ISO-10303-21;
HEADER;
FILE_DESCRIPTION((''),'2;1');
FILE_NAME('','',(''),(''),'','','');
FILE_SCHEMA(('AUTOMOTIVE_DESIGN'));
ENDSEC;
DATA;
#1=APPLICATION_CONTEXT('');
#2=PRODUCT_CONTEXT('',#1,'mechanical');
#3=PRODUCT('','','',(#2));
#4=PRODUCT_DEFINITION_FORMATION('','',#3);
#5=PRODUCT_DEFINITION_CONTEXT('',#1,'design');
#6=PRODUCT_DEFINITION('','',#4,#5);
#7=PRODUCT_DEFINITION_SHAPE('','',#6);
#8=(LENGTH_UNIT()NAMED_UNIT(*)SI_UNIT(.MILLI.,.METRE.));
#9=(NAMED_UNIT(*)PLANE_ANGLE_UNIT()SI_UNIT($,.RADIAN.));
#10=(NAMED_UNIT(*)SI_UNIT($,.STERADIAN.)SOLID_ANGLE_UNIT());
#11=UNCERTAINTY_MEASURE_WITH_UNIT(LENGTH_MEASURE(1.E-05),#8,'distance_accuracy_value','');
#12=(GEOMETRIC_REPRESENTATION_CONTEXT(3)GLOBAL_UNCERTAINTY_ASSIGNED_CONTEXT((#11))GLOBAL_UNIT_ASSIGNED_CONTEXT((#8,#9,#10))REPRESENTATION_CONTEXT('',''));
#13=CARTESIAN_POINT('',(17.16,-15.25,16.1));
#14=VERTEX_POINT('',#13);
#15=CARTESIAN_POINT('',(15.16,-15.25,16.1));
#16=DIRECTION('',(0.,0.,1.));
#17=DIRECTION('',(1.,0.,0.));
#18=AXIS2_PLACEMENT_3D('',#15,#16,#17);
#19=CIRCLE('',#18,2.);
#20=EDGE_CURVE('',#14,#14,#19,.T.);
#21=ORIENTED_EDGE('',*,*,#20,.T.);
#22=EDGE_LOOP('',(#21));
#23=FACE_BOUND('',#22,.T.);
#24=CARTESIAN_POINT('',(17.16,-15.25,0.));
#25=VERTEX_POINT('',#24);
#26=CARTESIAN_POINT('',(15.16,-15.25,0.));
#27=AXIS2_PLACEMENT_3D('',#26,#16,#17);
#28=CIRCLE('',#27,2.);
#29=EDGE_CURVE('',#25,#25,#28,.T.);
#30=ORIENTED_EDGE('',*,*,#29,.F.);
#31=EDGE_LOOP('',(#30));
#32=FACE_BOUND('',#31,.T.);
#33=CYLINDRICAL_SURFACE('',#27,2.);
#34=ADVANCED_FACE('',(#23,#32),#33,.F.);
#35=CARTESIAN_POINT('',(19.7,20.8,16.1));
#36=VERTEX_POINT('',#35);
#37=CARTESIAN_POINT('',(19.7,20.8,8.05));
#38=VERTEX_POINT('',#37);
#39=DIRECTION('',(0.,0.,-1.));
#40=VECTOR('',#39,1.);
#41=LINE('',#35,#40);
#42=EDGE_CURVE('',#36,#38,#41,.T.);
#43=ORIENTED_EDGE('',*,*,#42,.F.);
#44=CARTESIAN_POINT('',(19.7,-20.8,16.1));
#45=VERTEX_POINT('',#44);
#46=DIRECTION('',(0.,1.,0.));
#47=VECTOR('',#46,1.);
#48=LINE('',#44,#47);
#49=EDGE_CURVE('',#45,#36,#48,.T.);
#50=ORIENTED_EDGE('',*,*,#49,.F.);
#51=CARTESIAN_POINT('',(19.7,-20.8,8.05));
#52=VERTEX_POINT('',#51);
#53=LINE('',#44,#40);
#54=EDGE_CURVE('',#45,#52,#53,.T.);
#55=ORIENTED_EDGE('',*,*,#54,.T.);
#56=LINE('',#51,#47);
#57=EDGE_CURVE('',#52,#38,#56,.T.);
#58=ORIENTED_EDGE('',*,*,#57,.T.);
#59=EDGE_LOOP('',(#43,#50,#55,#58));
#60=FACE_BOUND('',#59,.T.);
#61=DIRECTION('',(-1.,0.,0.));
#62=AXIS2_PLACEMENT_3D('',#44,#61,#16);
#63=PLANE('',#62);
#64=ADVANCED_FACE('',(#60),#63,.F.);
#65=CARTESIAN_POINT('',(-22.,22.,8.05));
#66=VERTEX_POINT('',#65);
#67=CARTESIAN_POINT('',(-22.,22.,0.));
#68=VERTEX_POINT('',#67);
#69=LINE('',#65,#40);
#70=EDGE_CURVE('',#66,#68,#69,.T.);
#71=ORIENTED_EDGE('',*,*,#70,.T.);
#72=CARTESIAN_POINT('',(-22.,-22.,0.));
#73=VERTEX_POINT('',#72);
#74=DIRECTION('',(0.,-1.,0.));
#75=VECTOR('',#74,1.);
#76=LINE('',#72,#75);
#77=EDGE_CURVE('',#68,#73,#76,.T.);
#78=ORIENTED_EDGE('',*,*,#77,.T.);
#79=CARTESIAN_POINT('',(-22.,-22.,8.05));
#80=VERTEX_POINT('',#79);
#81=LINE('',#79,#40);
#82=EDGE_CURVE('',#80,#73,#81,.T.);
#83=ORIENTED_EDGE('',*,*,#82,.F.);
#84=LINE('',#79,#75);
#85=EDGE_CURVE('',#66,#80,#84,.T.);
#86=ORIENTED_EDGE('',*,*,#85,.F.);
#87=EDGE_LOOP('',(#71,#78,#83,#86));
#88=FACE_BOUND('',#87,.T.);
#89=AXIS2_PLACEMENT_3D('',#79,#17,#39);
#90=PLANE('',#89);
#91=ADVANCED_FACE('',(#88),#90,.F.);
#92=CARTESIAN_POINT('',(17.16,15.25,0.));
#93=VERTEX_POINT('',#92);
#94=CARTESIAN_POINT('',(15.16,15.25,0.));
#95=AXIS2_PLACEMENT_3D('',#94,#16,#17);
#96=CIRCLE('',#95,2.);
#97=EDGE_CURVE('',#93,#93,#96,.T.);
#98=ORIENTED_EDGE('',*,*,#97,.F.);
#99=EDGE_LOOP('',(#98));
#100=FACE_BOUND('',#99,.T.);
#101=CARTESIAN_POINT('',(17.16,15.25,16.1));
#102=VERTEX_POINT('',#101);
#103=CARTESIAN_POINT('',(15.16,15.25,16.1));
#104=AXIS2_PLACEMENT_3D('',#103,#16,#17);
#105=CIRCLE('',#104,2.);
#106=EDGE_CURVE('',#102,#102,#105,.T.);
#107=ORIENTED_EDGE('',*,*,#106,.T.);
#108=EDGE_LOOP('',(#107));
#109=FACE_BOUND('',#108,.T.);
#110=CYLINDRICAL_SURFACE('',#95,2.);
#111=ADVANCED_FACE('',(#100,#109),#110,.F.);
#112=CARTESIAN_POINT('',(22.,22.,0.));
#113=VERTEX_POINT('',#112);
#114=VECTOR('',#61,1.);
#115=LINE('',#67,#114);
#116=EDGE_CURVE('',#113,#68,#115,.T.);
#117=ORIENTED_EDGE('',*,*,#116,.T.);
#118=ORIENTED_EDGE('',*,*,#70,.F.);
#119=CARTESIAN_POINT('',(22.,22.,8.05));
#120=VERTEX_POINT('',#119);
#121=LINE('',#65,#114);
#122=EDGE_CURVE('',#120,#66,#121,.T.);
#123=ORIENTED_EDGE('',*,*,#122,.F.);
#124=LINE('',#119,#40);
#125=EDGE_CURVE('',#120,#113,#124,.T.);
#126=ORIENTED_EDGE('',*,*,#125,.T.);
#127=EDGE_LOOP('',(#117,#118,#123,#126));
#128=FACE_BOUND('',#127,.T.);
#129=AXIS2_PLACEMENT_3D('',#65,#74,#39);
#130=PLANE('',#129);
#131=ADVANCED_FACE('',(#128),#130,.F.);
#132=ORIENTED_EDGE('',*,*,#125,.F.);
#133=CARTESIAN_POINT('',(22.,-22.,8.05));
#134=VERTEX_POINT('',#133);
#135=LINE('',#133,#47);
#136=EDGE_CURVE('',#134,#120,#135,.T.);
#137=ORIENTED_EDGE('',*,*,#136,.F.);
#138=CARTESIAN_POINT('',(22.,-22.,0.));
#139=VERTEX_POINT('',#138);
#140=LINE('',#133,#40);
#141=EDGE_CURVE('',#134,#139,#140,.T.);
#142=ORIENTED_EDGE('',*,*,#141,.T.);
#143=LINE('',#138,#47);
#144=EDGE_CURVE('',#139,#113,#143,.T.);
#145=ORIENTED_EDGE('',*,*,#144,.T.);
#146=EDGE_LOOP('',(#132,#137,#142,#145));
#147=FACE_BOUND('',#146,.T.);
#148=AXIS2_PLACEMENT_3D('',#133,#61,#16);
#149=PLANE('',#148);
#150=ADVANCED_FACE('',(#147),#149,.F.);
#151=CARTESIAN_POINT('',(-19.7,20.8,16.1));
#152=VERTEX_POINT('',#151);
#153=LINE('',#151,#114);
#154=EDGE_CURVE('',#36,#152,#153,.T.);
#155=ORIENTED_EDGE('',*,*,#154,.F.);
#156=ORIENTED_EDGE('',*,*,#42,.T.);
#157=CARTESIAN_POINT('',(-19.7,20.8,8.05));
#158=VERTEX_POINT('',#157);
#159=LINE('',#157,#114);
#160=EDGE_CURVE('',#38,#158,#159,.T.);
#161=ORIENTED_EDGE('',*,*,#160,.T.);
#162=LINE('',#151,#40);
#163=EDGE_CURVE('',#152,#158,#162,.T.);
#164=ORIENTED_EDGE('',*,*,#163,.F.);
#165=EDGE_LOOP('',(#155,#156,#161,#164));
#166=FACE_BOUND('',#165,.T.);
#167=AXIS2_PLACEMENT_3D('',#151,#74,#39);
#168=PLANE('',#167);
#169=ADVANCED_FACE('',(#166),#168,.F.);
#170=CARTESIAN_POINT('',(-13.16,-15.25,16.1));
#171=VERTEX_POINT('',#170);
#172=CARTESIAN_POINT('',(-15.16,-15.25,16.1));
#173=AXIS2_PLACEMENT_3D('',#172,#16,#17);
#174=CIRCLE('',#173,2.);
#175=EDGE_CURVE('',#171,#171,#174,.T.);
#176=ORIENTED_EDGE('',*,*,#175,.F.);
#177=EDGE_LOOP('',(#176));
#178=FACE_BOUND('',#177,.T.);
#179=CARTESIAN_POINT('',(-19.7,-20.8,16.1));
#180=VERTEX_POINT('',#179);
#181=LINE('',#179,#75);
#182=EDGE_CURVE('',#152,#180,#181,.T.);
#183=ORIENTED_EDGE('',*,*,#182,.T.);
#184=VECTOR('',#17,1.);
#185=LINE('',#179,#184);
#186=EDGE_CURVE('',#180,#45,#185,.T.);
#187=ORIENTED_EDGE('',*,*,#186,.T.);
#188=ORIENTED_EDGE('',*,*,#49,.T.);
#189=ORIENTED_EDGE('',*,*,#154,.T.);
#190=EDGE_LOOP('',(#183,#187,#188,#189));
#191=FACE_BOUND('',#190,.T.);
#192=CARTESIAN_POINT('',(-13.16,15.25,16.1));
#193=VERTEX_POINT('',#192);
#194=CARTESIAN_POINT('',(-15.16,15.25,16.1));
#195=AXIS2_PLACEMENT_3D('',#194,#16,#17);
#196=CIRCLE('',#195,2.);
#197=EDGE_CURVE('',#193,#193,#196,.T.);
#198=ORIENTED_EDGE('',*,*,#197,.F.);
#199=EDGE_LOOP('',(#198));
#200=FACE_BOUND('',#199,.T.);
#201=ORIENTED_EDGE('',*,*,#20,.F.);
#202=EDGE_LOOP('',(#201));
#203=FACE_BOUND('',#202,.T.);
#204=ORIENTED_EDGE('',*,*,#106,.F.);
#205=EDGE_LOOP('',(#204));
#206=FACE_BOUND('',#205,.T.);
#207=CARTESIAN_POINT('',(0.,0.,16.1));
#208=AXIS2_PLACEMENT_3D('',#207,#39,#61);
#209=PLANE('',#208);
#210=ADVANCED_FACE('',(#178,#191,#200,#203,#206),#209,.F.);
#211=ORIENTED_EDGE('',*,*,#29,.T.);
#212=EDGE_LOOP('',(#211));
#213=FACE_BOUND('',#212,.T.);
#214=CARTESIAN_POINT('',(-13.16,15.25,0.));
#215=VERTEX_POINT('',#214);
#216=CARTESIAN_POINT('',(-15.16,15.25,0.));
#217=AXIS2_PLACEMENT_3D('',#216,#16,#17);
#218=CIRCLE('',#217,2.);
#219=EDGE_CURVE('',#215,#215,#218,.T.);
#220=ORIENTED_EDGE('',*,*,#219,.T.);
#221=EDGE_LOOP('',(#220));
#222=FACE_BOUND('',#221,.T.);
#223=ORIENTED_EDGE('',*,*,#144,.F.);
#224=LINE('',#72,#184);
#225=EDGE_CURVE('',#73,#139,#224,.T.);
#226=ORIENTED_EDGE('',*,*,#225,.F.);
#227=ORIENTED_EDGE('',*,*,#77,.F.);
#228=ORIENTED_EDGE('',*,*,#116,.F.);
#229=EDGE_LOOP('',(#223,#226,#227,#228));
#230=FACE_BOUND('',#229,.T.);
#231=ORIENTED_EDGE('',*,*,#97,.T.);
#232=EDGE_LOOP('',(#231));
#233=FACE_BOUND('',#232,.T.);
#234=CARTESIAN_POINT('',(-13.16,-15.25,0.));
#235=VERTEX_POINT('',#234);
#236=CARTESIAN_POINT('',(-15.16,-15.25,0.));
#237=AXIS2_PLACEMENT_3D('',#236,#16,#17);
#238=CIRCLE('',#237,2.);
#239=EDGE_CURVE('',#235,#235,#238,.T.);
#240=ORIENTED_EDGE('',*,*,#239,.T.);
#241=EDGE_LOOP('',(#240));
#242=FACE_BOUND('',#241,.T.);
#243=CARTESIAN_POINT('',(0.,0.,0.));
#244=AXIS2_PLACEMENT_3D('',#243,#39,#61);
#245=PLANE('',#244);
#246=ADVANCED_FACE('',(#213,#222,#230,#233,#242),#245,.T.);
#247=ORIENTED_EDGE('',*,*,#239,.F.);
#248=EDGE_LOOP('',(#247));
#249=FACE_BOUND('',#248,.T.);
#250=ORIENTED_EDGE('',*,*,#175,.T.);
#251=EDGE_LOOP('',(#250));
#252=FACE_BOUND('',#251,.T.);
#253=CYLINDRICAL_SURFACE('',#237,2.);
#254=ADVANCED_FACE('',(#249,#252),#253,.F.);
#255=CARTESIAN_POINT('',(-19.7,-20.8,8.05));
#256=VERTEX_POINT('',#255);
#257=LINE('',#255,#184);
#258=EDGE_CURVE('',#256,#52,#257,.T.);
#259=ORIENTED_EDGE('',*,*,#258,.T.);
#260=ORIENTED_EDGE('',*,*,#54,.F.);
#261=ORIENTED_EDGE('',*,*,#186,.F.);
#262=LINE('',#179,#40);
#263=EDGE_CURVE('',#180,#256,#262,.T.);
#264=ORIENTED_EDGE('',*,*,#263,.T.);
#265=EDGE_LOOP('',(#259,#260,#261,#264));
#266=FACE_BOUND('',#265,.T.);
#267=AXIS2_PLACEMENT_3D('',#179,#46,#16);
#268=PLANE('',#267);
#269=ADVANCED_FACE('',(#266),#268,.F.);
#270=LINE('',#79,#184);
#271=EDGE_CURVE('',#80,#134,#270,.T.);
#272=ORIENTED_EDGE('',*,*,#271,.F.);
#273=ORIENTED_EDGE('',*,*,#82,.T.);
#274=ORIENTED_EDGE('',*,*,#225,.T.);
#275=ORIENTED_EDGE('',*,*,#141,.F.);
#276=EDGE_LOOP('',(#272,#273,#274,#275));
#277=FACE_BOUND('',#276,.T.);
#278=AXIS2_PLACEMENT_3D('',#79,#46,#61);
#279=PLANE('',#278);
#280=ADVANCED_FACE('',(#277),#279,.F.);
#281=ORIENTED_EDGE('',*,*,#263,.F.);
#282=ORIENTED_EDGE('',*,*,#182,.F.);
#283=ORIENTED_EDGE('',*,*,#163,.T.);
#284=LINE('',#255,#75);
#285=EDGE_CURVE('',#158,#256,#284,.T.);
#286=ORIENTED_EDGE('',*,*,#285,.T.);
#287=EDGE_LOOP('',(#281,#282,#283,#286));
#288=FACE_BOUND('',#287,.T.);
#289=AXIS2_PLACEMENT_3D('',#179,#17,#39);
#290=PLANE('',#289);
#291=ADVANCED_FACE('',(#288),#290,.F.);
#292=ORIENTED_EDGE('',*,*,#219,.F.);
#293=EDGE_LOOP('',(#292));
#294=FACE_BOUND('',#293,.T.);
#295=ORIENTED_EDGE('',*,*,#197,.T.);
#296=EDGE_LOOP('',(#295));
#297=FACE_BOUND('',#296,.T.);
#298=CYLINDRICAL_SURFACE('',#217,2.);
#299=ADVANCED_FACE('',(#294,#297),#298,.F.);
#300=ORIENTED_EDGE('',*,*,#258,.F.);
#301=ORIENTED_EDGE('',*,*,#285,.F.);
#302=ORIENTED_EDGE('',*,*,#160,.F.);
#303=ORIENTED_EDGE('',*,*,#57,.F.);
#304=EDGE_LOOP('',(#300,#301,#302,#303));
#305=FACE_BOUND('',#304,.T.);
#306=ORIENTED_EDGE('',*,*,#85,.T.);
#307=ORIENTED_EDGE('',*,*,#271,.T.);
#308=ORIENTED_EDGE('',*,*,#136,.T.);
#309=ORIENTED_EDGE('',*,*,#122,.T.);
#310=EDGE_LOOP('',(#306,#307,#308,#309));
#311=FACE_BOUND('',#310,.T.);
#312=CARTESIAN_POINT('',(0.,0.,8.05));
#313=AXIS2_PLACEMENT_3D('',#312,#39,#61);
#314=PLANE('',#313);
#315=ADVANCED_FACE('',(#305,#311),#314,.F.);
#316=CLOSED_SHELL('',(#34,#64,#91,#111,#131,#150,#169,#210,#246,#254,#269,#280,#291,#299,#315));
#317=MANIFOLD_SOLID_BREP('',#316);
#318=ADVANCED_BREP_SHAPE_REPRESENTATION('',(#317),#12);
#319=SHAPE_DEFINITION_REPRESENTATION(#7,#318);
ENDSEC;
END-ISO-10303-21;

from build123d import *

# Parameters (mm, degrees)
SKETCH1_W           = 44
SKETCH1_H           = 44
BOSS_EXTRUDE1_DEPTH = 8.05
SKETCH2_W           = 39.4
SKETCH2_H           = 41.6
BOSS_EXTRUDE2_DEPTH = 8.05
SKETCH3_R           = 2
CUT_EXTRUDE1_DEPTH  = 36.031557202


with BuildPart() as part:
    # Sketch1 → Boss-Extrude1 (new body)
    with BuildSketch(Plane.XY):
        Rectangle(SKETCH1_W, SKETCH1_H)
    extrude(amount=BOSS_EXTRUDE1_DEPTH)

    # Sketch2 → Boss-Extrude2 (add)
    with BuildSketch(Plane.XY.offset(8.05)):
        Rectangle(SKETCH2_W, SKETCH2_H)
    extrude(amount=BOSS_EXTRUDE2_DEPTH)

    # Sketch3 → Cut-Extrude1 (cut, through all)
    with BuildSketch(Plane.XY.offset(16.1)):
        with Locations((-15.16, 15.25)):
            Circle(SKETCH3_R)
        with Locations((15.16, 15.25)):
            Circle(SKETCH3_R)
        with Locations((15.16, -15.25)):
            Circle(SKETCH3_R)
        with Locations((-15.16, -15.25)):
            Circle(SKETCH3_R)
    extrude(amount=-CUT_EXTRUDE1_DEPTH, mode=Mode.SUBTRACT)


solid = part.part
